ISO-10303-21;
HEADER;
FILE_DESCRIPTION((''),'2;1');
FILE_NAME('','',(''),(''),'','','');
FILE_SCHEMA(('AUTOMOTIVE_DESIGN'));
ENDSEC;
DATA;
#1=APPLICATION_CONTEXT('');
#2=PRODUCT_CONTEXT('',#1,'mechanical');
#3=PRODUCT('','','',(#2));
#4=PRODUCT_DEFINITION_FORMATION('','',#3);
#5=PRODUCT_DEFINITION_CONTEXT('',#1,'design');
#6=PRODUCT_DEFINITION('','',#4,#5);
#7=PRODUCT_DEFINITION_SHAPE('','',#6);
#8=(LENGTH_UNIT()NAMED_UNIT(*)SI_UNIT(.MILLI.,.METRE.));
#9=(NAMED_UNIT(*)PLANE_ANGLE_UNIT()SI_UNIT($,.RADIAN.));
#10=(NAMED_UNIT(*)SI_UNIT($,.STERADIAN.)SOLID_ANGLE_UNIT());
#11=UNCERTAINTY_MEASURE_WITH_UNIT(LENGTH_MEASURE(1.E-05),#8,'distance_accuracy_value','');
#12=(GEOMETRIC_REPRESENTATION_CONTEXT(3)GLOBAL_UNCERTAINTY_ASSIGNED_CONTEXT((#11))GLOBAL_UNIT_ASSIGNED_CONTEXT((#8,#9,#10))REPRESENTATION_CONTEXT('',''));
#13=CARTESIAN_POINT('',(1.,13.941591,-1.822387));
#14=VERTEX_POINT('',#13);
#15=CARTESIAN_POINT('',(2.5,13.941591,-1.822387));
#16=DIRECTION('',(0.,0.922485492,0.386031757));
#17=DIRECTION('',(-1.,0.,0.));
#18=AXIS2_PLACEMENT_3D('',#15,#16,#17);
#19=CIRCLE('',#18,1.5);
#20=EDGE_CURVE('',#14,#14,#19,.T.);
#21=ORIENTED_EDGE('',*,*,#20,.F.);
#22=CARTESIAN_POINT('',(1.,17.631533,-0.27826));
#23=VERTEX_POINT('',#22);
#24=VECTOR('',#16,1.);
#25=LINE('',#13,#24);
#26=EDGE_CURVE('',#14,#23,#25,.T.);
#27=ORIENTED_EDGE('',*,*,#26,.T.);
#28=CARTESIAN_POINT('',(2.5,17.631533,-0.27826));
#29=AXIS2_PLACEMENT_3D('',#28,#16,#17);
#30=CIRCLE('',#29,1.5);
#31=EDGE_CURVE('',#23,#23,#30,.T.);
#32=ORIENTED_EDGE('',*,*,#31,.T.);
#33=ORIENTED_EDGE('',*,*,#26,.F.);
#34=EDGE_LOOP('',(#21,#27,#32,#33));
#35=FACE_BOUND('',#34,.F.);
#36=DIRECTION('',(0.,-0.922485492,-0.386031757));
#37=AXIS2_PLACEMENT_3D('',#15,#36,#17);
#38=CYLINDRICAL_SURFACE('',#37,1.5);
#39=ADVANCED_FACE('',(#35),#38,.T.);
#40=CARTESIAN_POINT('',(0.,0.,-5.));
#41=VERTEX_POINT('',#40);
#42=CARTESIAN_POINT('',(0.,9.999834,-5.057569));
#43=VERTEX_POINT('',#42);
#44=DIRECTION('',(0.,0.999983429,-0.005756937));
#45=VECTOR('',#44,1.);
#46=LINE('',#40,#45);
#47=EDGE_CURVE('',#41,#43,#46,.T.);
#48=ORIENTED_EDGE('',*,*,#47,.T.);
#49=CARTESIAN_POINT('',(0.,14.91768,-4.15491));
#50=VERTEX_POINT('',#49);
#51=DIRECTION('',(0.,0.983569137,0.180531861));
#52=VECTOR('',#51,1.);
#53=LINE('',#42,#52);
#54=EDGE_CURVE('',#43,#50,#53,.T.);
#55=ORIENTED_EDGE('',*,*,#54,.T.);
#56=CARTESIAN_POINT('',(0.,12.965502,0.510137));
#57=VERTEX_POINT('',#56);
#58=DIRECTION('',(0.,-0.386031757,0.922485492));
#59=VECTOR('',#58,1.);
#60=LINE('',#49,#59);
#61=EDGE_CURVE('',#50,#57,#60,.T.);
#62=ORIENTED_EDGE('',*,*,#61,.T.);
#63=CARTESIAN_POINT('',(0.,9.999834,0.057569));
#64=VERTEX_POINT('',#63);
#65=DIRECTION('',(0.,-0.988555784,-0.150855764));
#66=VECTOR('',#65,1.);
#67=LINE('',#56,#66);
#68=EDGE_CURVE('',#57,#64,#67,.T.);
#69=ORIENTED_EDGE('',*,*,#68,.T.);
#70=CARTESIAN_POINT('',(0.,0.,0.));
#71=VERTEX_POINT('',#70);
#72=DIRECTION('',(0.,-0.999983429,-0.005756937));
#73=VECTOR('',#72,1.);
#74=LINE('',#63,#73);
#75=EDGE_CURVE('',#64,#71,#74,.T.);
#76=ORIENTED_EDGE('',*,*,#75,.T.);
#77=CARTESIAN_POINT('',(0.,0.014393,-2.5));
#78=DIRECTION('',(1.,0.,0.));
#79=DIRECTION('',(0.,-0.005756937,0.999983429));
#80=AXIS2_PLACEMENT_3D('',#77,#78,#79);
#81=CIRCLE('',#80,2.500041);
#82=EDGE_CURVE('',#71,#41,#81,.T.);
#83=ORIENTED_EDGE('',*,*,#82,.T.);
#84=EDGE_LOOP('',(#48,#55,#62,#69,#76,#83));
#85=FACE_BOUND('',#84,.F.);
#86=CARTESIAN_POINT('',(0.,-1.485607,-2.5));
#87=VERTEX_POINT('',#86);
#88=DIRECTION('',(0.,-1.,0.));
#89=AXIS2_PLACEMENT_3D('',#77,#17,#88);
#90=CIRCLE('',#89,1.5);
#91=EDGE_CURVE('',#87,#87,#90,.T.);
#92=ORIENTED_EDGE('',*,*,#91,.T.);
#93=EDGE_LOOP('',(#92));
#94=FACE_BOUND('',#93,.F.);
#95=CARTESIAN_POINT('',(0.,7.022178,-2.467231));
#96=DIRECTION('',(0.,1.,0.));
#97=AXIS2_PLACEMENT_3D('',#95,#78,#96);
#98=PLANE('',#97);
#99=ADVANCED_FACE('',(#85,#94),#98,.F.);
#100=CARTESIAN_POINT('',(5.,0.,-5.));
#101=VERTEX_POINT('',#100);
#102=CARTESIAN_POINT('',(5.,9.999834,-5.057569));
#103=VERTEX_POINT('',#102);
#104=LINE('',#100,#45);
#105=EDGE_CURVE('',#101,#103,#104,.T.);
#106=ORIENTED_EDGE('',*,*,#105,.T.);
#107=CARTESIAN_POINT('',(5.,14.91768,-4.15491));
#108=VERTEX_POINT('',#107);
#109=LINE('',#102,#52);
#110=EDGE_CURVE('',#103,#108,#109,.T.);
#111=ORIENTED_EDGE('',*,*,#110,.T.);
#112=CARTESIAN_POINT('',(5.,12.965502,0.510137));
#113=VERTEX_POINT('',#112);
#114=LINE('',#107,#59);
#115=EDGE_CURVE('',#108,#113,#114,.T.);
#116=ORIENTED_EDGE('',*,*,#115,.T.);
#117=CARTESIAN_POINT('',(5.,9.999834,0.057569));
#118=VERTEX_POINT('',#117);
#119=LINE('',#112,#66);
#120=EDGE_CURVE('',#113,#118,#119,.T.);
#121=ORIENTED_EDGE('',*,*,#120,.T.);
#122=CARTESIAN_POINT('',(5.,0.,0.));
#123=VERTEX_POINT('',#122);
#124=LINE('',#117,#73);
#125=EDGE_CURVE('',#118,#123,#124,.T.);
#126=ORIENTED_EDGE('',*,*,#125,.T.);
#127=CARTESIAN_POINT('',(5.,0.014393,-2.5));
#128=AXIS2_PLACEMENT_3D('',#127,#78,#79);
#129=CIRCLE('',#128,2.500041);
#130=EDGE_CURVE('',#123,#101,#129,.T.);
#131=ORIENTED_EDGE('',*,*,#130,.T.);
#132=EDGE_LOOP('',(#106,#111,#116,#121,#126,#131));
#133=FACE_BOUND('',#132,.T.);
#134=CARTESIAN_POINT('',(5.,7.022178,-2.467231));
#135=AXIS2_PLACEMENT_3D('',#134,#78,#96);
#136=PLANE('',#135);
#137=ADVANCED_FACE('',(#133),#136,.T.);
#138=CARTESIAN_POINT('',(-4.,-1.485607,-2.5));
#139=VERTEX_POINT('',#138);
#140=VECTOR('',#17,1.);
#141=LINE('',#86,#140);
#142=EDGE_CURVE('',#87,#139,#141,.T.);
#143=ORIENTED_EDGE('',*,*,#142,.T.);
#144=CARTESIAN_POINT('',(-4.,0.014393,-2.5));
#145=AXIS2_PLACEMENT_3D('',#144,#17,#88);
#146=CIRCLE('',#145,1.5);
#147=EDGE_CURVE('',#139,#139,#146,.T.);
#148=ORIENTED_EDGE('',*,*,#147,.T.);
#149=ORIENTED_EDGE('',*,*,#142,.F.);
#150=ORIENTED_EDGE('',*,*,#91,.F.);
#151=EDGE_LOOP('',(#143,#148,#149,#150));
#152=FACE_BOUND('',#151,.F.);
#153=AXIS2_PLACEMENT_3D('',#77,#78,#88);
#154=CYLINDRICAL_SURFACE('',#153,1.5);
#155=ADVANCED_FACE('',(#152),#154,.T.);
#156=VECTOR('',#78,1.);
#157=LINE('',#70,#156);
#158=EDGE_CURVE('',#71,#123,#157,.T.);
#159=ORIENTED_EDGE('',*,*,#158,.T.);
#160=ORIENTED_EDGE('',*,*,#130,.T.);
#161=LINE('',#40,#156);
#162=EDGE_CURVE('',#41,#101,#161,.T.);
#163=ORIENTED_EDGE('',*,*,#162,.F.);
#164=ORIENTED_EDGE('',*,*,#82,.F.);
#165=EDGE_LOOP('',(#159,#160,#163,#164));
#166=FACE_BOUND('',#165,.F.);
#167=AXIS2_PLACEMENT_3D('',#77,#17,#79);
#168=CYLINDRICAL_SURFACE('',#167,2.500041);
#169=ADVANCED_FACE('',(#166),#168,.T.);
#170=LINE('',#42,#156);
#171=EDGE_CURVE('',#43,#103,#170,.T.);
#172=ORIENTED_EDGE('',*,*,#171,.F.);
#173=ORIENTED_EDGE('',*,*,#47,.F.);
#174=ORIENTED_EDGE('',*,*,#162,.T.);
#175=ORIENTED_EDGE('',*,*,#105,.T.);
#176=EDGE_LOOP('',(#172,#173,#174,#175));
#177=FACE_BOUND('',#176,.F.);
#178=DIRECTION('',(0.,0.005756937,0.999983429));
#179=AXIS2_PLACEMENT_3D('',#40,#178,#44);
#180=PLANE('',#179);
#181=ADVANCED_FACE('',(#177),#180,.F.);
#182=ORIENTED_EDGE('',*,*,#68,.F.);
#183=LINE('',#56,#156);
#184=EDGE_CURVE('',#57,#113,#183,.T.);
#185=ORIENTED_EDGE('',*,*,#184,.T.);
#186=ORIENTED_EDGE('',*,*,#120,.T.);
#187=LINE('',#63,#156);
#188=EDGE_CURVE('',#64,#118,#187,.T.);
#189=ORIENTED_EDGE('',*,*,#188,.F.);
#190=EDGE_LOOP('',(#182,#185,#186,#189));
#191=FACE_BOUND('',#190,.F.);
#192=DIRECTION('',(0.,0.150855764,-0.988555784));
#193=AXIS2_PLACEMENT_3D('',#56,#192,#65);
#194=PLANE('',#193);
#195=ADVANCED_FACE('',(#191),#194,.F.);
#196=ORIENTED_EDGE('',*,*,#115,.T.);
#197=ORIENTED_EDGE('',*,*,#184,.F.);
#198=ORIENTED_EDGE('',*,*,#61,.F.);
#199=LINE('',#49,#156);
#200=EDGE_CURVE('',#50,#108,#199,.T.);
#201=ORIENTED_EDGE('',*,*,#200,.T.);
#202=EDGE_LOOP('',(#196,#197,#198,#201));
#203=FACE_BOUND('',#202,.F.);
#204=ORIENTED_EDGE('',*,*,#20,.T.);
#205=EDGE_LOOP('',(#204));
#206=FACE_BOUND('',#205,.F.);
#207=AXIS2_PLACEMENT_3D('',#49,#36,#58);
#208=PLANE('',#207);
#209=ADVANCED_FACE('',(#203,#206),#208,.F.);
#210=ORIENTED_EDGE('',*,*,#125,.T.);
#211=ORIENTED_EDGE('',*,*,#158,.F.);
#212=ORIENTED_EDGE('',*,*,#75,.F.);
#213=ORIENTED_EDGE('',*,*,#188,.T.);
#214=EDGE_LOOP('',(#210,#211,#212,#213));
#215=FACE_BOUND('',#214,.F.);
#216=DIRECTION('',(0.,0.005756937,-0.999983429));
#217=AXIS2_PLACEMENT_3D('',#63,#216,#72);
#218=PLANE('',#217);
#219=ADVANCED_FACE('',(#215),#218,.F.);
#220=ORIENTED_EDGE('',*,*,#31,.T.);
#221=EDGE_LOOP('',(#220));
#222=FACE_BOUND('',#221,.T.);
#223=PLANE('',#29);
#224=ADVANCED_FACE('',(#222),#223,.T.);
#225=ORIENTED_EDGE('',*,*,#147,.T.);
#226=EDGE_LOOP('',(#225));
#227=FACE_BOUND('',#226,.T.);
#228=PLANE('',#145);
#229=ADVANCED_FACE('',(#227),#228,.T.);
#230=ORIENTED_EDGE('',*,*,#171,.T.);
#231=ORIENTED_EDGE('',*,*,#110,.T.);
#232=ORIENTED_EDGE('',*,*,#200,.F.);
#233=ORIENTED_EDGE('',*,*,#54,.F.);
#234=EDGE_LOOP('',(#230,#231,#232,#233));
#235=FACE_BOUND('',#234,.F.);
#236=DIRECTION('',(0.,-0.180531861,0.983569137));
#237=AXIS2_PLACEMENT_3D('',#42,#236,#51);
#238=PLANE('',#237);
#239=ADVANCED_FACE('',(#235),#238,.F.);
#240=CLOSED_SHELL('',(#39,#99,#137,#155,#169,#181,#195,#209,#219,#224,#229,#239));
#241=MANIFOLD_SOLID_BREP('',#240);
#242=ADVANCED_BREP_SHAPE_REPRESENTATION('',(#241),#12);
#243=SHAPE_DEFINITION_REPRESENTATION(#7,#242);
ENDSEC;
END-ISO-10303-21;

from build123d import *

# Parameters (mm, degrees)
F1_DEPTH = 5
F2_R     = 1.5
F3_DEPTH = 4
F4_R     = 1.5
F5_DEPTH = 4


with BuildPart() as f1:
    # F0 (on Right) → F1 (new body)
    with BuildSketch(Plane.YZ):
        Polygon((9.999834287, 0.0575693728), (0, 0), (0, -5), (9.999834287, -5.0575693728), (14.9176799717, -4.1549100676), (12.9655016395, 0.510136665), align=None)
        with BuildLine():
            Line((0, -5), (0, 0))
            ThreePointArc((0, 0), (-2.4856488472, -2.5), (0, -5))
        make_face()
    extrude(amount=F1_DEPTH)

    # F2 (on face) → F3 (join)
    with BuildSketch(Plane(origin=(0, 0, 0), x_dir=(0, -1, 0), z_dir=(-1, 0, 0))):
        with Locations((-0.0143925817, -2.5)):
            Circle(F2_R)
    extrude(amount=F3_DEPTH)

    # F4 (on face) → F5 (join)
    with BuildSketch(Plane(origin=(0, 11.2150399751, 4.6931487054), x_dir=(-1, 0, 0), z_dir=(0, 0.9224854916, 0.3860317574))):
        with Locations((-2.5, -7.0630220916)):
            Circle(F4_R)
    extrude(amount=F5_DEPTH)


solid = f1.part
